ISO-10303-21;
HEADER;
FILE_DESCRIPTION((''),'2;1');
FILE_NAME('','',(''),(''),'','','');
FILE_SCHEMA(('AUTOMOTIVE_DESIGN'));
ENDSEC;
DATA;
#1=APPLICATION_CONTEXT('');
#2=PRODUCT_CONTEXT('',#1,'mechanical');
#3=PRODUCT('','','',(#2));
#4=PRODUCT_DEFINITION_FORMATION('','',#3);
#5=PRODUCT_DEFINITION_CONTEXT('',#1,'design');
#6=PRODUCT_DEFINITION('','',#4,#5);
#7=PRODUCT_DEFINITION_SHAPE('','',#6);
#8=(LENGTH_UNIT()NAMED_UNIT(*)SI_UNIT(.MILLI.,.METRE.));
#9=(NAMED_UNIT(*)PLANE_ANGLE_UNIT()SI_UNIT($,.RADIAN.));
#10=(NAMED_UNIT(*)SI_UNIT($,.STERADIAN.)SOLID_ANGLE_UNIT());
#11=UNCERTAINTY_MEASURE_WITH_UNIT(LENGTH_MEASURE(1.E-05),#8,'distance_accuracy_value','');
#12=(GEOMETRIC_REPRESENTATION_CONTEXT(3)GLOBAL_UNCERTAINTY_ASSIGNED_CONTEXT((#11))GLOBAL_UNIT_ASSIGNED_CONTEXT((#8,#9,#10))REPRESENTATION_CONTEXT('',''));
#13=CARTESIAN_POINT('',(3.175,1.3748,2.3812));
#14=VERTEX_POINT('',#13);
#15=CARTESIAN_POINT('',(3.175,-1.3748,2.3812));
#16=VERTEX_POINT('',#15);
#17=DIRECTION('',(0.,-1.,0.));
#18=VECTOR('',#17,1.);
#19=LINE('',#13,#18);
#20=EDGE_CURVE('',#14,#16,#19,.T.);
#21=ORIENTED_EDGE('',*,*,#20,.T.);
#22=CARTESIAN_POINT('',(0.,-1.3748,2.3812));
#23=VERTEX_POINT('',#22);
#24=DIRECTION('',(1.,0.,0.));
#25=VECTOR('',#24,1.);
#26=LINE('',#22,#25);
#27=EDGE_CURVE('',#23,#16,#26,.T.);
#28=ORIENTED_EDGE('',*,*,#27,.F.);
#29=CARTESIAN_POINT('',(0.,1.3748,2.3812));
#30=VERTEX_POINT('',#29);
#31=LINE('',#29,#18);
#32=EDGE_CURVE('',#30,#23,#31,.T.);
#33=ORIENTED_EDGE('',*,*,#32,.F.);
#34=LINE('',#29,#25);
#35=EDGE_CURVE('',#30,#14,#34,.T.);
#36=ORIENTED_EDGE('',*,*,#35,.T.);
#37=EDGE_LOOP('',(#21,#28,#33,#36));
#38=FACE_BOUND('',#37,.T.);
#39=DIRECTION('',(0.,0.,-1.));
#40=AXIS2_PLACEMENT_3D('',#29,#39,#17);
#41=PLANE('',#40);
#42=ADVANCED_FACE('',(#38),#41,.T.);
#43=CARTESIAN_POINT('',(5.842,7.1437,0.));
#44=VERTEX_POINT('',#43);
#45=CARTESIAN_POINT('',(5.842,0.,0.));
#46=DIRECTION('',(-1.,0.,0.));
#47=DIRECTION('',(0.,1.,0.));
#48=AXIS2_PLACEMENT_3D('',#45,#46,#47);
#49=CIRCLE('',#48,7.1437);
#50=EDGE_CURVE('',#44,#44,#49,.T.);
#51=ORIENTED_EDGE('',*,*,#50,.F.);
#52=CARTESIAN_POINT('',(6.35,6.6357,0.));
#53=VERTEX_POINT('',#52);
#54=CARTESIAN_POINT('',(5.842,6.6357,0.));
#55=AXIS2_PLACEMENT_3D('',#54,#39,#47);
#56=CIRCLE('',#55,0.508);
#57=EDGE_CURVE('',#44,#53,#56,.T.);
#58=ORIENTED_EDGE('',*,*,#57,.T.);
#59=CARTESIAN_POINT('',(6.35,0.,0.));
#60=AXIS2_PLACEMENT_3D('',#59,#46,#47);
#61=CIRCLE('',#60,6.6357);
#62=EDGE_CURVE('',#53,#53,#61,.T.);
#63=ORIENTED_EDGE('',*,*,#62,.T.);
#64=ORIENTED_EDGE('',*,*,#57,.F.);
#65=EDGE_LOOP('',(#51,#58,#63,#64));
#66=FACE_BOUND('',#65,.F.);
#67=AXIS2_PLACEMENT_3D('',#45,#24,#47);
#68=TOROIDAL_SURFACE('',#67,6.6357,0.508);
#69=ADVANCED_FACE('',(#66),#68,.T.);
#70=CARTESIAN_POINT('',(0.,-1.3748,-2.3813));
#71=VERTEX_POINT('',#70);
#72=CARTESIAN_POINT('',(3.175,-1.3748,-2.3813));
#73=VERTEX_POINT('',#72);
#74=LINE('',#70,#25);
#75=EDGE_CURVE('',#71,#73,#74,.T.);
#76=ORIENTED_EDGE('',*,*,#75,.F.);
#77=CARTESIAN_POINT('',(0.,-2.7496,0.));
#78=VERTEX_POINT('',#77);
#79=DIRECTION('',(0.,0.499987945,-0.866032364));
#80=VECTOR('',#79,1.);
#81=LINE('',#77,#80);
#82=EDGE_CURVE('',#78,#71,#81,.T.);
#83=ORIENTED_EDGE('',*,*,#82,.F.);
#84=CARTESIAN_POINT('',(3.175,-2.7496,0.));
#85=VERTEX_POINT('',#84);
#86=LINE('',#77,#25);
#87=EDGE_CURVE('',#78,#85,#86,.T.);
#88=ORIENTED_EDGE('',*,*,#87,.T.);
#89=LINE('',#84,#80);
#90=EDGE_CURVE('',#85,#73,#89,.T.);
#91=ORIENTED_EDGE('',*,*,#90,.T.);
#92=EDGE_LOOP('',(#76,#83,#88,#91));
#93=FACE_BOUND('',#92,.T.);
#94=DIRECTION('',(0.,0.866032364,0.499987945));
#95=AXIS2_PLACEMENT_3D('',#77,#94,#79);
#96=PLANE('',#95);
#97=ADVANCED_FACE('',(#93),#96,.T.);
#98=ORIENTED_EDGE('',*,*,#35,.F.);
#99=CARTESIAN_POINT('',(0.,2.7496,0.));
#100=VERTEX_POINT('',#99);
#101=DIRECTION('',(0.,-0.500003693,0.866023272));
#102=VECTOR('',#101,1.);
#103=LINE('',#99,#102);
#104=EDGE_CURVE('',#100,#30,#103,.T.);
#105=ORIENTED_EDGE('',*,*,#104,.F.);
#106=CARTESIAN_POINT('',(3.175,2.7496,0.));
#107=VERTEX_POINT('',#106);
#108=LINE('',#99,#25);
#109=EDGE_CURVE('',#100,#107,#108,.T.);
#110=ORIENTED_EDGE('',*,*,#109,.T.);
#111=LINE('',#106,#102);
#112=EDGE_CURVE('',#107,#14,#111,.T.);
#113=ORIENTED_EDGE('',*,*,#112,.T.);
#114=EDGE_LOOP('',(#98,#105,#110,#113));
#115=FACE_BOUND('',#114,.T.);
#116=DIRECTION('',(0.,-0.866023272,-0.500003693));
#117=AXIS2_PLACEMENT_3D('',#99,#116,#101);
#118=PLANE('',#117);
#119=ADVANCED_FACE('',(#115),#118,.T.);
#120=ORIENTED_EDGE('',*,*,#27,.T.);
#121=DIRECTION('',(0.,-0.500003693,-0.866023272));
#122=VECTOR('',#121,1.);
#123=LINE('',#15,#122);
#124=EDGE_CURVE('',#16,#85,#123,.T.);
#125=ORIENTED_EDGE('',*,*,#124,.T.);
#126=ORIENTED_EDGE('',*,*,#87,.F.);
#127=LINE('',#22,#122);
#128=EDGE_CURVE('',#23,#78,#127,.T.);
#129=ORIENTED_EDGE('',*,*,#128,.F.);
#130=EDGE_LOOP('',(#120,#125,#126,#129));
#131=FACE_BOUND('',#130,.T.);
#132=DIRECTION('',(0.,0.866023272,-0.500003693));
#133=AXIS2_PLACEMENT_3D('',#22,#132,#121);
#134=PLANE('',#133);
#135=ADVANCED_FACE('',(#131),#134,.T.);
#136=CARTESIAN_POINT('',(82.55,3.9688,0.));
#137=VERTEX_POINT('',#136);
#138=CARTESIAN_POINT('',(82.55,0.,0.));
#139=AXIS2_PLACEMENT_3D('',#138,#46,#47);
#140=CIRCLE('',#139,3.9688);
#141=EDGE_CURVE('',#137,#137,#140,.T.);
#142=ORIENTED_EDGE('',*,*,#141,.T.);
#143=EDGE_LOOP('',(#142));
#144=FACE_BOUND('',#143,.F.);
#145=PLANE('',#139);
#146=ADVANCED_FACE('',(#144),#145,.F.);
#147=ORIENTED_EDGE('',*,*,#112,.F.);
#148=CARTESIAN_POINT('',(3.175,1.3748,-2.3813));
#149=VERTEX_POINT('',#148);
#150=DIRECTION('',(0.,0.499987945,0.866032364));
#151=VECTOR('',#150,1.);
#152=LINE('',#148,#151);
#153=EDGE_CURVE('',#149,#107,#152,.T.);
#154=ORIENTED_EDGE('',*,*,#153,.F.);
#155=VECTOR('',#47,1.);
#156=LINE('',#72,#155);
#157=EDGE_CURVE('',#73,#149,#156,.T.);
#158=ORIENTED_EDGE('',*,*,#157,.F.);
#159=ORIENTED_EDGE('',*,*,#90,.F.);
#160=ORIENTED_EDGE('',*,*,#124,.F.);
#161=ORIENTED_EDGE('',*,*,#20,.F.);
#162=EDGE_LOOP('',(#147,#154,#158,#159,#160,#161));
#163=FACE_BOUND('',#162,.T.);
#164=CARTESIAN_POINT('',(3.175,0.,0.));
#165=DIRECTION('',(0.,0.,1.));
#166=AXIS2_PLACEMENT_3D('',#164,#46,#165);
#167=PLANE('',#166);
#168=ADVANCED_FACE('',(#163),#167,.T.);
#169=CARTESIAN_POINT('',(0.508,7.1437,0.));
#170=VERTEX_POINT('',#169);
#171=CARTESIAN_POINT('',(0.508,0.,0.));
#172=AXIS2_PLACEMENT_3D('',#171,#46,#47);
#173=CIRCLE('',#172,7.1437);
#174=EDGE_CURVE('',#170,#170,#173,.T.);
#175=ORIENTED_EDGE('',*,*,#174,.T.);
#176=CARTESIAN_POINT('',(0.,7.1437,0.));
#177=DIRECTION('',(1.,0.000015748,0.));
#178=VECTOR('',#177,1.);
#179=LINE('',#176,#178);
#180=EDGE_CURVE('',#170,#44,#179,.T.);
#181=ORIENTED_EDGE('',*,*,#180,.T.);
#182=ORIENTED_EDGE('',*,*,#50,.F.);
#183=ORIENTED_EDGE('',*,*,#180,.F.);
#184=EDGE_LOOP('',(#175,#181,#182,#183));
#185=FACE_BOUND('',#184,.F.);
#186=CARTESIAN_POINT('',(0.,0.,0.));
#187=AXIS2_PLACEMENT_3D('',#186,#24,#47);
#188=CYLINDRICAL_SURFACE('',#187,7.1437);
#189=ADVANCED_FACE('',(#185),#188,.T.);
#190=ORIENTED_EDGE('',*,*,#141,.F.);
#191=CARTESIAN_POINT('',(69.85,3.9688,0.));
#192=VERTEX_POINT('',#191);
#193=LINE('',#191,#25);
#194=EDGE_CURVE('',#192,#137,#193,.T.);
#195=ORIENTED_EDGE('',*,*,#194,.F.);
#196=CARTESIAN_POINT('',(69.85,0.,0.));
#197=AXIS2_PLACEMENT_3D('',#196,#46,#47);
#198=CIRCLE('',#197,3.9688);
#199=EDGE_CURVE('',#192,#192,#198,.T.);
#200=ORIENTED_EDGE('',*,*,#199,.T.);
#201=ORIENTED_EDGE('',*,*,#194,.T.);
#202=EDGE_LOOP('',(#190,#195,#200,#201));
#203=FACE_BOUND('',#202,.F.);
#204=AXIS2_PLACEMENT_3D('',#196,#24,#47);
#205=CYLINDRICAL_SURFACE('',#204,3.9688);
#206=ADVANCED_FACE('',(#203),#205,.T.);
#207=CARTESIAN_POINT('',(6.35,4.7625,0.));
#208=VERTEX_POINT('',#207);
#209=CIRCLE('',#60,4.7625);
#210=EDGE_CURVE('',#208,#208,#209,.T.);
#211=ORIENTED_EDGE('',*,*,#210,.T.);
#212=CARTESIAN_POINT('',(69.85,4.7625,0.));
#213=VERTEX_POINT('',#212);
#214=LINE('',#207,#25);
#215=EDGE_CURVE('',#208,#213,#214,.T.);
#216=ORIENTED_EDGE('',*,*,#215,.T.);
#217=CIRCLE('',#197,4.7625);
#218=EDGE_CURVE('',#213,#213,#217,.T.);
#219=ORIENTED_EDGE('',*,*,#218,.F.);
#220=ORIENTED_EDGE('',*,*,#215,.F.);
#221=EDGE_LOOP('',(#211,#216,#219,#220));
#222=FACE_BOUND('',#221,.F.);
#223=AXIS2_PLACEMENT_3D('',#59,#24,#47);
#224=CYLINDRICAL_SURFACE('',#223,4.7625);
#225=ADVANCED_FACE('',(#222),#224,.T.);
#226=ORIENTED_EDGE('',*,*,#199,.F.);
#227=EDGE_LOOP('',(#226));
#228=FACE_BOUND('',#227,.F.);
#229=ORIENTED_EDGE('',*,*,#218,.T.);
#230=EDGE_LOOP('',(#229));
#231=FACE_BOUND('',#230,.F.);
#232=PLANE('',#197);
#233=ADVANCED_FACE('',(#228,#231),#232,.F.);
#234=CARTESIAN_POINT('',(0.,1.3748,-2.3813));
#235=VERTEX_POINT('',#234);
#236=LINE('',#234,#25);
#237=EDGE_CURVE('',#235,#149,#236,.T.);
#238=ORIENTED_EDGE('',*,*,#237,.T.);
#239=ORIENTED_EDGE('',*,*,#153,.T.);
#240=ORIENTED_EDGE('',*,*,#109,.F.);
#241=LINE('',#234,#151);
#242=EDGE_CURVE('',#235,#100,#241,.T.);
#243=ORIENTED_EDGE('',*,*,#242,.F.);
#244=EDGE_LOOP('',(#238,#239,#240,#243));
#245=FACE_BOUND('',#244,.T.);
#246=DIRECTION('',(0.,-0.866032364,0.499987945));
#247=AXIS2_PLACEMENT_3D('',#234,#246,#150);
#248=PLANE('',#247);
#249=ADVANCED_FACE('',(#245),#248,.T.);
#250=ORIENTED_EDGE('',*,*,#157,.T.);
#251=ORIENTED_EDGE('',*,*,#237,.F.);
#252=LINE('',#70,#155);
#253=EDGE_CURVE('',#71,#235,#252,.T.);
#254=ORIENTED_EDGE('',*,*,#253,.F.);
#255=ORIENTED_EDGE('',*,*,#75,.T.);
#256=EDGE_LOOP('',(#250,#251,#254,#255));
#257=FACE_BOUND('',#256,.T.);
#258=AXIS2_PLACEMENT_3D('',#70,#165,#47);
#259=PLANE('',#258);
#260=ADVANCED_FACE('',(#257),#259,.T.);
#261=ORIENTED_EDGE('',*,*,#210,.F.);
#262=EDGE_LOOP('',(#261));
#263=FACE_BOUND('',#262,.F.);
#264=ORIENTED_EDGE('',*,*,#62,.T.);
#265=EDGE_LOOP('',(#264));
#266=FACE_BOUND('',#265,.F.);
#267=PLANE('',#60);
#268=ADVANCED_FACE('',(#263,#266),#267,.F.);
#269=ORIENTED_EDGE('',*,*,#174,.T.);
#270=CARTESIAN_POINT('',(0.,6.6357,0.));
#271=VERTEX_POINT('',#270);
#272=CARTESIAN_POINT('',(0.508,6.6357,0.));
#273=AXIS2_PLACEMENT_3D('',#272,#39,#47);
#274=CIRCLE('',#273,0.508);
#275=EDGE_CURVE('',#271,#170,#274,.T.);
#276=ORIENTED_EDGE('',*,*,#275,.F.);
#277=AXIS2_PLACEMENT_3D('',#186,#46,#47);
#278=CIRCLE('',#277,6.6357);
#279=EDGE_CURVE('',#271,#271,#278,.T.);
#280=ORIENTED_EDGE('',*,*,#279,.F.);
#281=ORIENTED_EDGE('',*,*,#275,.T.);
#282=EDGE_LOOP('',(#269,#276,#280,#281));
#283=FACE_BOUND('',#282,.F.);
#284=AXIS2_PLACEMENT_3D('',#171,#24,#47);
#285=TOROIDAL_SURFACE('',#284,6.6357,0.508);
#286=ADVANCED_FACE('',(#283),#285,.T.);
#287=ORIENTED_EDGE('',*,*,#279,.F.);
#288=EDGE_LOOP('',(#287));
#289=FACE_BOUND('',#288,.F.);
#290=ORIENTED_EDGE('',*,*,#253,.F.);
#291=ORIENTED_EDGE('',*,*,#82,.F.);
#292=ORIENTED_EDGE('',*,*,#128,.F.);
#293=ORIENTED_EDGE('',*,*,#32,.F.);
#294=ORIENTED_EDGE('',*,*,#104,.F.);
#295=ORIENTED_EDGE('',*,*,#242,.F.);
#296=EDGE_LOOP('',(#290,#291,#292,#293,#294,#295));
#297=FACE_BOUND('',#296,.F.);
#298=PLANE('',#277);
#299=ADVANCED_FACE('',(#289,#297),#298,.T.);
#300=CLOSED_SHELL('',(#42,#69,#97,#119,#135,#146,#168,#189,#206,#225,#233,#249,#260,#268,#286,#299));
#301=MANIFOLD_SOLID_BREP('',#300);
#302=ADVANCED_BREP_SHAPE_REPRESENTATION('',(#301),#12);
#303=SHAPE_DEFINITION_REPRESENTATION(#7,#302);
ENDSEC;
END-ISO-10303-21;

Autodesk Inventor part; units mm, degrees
ref_plane "YZ Plane" through (0, 0, 0) normal (1, 0, 0) x (0, 1, 0)
ref_plane "XZ Plane" through (0, 0, 0) normal (0, 1, 0) x (-1, 0, 0)
ref_plane "XY Plane" through (0, 0, 0) normal (0, 0, 1) x (1, 0, 0)
sketch "Sketch1" plane through (0, 0, 0) normal (0, 0, 1) x (1, 0, 0)
  line L0 (0, 0) -> (0, 7.1437)
  line L1 (0, 7.1437) -> (6.35, 7.1438)
  line L2 (6.35, 7.1438) -> (6.35, 4.7625)
  line L3 (6.35, 4.7625) -> (69.85, 4.7625)
  line L4 (69.85, 4.7625) -> (69.85, 3.9688)
  line L5 (69.85, 3.9688) -> (82.55, 3.9688)
  line L6 (82.55, 3.9688) -> (82.55, 0)
  line L7 (82.55, 0) -> (0, 0)
  dimension "d0" = 7.1437
  dimension "d1" = 4.7625
  dimension "d2" = 3.9688
  dimension "d3" = 6.35
  dimension "d4" = 63.5
  dimension "d5" = 12.7
revolve "Revolution1" add sketch "Sketch1" angle 360 about axis through (82.55, 0, 0) along (-1, 0, 0)
fillet "Fillet1" radius 0.508 2 edges at (0, -7.1437, 0) (6.35, -7.1437, 0)
thread "Thread1" size "5/16-18 UNC" class "2A" standard "ANSI Unified Screw Threads" full length
sketch "Sketch2" plane through (0, 0, 0) normal (-1, 0, 0) x (0, 0, 1)
  circle A0 centre (0, 0) radius 6.6357 projected
  line L0 (0, 2.7496) -> (2.3812, 1.3748)
  line L1 (2.3812, 1.3748) -> (2.3812, -1.3748)
  line L2 (2.3812, -1.3748) -> (0, -2.7496)
  line L3 (0, -2.7496) -> (-2.3813, -1.3748)
  line L4 (-2.3813, -1.3748) -> (-2.3813, 1.3748)
  line L5 (-2.3813, 1.3748) -> (0, 2.7496)
  dimension "d10" = 4.7625
extrude "Extrusion1" cut sketch "Sketch2" against normal blind 3.175 contours L0 L1 L2 L3 L4 L5
properties part number "HW-00065"
